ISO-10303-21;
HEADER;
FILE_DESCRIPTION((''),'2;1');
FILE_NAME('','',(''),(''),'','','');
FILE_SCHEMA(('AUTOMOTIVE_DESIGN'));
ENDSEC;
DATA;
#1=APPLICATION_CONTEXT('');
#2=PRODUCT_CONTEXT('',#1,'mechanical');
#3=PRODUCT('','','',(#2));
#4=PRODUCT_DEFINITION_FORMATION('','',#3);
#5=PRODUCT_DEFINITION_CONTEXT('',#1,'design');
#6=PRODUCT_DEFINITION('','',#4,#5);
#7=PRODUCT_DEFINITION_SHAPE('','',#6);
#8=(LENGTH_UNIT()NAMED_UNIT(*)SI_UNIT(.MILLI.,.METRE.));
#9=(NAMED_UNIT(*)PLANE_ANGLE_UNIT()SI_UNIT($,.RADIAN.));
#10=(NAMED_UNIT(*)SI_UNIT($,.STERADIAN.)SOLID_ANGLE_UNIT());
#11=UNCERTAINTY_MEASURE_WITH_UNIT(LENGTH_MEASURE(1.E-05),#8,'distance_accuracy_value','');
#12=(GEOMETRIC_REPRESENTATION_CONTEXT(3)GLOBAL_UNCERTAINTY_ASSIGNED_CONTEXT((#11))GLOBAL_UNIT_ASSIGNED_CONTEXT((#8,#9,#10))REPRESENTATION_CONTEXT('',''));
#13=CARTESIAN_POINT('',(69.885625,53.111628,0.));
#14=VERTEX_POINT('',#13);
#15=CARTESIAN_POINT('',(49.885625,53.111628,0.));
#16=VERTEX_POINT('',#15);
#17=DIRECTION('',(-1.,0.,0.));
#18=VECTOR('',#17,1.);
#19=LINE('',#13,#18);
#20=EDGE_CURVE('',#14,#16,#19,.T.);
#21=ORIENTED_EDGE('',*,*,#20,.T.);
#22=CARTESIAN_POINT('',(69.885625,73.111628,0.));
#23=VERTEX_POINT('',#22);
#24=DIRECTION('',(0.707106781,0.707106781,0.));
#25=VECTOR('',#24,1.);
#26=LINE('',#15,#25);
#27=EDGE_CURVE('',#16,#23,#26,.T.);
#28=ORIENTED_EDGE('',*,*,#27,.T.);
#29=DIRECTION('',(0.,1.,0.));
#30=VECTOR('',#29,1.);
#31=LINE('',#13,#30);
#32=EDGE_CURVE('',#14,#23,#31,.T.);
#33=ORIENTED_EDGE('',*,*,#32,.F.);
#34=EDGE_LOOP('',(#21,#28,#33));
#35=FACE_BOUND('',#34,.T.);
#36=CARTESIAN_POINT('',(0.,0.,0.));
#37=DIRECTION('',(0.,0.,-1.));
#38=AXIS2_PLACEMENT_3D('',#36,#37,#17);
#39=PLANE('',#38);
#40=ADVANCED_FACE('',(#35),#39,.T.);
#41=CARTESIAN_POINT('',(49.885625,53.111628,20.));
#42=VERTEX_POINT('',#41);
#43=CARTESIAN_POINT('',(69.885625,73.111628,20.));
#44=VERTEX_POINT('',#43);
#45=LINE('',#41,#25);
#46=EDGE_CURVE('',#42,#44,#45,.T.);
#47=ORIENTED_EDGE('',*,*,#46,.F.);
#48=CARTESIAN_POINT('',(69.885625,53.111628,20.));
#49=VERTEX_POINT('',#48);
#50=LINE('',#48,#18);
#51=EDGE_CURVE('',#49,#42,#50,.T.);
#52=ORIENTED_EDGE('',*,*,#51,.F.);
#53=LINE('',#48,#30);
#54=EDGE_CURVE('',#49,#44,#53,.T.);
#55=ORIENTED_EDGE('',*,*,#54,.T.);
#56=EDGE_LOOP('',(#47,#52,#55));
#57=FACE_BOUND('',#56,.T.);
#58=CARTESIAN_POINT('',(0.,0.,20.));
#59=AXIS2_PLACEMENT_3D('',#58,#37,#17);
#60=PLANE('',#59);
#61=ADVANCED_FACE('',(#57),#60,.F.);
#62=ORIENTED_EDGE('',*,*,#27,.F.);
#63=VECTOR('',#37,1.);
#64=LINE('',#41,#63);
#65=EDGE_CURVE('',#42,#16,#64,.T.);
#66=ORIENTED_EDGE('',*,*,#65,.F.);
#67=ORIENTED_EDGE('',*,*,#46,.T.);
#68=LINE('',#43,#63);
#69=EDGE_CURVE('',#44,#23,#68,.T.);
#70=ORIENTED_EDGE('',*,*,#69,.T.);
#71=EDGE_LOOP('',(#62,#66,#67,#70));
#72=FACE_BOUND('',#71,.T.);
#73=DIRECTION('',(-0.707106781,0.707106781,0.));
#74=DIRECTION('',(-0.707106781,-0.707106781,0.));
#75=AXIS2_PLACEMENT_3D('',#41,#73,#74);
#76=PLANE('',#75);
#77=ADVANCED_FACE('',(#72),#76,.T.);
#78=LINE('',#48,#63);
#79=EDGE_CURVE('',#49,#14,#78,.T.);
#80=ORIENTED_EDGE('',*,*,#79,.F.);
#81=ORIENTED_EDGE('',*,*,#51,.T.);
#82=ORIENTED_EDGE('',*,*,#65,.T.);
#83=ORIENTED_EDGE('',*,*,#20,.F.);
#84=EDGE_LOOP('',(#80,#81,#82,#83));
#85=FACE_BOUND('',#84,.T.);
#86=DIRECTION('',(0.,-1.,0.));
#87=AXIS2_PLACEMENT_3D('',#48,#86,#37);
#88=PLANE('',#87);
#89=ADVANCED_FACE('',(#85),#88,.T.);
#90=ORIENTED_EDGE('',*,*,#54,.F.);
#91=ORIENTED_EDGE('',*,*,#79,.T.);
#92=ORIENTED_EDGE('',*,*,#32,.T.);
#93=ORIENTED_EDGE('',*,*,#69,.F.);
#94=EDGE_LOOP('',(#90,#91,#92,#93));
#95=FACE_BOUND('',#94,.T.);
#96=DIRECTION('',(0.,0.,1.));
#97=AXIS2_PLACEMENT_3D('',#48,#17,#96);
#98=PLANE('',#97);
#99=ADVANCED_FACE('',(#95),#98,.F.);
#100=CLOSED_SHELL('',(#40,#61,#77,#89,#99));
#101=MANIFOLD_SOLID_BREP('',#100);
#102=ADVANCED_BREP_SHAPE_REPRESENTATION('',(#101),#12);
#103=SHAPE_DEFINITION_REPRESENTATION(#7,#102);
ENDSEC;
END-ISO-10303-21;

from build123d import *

# Parameters (mm, degrees)
EXTRUDE_1_DEPTH = 20


with BuildPart() as part:
    # 草图1 → 凸台-拉伸1 (new body)
    with BuildSketch(Plane.XY):
        Polygon((69.885625484, 53.111628096), (69.885625484, 73.111628096), (49.885625484, 53.111628096), align=None)
    extrude(amount=EXTRUDE_1_DEPTH)


solid = part.part
